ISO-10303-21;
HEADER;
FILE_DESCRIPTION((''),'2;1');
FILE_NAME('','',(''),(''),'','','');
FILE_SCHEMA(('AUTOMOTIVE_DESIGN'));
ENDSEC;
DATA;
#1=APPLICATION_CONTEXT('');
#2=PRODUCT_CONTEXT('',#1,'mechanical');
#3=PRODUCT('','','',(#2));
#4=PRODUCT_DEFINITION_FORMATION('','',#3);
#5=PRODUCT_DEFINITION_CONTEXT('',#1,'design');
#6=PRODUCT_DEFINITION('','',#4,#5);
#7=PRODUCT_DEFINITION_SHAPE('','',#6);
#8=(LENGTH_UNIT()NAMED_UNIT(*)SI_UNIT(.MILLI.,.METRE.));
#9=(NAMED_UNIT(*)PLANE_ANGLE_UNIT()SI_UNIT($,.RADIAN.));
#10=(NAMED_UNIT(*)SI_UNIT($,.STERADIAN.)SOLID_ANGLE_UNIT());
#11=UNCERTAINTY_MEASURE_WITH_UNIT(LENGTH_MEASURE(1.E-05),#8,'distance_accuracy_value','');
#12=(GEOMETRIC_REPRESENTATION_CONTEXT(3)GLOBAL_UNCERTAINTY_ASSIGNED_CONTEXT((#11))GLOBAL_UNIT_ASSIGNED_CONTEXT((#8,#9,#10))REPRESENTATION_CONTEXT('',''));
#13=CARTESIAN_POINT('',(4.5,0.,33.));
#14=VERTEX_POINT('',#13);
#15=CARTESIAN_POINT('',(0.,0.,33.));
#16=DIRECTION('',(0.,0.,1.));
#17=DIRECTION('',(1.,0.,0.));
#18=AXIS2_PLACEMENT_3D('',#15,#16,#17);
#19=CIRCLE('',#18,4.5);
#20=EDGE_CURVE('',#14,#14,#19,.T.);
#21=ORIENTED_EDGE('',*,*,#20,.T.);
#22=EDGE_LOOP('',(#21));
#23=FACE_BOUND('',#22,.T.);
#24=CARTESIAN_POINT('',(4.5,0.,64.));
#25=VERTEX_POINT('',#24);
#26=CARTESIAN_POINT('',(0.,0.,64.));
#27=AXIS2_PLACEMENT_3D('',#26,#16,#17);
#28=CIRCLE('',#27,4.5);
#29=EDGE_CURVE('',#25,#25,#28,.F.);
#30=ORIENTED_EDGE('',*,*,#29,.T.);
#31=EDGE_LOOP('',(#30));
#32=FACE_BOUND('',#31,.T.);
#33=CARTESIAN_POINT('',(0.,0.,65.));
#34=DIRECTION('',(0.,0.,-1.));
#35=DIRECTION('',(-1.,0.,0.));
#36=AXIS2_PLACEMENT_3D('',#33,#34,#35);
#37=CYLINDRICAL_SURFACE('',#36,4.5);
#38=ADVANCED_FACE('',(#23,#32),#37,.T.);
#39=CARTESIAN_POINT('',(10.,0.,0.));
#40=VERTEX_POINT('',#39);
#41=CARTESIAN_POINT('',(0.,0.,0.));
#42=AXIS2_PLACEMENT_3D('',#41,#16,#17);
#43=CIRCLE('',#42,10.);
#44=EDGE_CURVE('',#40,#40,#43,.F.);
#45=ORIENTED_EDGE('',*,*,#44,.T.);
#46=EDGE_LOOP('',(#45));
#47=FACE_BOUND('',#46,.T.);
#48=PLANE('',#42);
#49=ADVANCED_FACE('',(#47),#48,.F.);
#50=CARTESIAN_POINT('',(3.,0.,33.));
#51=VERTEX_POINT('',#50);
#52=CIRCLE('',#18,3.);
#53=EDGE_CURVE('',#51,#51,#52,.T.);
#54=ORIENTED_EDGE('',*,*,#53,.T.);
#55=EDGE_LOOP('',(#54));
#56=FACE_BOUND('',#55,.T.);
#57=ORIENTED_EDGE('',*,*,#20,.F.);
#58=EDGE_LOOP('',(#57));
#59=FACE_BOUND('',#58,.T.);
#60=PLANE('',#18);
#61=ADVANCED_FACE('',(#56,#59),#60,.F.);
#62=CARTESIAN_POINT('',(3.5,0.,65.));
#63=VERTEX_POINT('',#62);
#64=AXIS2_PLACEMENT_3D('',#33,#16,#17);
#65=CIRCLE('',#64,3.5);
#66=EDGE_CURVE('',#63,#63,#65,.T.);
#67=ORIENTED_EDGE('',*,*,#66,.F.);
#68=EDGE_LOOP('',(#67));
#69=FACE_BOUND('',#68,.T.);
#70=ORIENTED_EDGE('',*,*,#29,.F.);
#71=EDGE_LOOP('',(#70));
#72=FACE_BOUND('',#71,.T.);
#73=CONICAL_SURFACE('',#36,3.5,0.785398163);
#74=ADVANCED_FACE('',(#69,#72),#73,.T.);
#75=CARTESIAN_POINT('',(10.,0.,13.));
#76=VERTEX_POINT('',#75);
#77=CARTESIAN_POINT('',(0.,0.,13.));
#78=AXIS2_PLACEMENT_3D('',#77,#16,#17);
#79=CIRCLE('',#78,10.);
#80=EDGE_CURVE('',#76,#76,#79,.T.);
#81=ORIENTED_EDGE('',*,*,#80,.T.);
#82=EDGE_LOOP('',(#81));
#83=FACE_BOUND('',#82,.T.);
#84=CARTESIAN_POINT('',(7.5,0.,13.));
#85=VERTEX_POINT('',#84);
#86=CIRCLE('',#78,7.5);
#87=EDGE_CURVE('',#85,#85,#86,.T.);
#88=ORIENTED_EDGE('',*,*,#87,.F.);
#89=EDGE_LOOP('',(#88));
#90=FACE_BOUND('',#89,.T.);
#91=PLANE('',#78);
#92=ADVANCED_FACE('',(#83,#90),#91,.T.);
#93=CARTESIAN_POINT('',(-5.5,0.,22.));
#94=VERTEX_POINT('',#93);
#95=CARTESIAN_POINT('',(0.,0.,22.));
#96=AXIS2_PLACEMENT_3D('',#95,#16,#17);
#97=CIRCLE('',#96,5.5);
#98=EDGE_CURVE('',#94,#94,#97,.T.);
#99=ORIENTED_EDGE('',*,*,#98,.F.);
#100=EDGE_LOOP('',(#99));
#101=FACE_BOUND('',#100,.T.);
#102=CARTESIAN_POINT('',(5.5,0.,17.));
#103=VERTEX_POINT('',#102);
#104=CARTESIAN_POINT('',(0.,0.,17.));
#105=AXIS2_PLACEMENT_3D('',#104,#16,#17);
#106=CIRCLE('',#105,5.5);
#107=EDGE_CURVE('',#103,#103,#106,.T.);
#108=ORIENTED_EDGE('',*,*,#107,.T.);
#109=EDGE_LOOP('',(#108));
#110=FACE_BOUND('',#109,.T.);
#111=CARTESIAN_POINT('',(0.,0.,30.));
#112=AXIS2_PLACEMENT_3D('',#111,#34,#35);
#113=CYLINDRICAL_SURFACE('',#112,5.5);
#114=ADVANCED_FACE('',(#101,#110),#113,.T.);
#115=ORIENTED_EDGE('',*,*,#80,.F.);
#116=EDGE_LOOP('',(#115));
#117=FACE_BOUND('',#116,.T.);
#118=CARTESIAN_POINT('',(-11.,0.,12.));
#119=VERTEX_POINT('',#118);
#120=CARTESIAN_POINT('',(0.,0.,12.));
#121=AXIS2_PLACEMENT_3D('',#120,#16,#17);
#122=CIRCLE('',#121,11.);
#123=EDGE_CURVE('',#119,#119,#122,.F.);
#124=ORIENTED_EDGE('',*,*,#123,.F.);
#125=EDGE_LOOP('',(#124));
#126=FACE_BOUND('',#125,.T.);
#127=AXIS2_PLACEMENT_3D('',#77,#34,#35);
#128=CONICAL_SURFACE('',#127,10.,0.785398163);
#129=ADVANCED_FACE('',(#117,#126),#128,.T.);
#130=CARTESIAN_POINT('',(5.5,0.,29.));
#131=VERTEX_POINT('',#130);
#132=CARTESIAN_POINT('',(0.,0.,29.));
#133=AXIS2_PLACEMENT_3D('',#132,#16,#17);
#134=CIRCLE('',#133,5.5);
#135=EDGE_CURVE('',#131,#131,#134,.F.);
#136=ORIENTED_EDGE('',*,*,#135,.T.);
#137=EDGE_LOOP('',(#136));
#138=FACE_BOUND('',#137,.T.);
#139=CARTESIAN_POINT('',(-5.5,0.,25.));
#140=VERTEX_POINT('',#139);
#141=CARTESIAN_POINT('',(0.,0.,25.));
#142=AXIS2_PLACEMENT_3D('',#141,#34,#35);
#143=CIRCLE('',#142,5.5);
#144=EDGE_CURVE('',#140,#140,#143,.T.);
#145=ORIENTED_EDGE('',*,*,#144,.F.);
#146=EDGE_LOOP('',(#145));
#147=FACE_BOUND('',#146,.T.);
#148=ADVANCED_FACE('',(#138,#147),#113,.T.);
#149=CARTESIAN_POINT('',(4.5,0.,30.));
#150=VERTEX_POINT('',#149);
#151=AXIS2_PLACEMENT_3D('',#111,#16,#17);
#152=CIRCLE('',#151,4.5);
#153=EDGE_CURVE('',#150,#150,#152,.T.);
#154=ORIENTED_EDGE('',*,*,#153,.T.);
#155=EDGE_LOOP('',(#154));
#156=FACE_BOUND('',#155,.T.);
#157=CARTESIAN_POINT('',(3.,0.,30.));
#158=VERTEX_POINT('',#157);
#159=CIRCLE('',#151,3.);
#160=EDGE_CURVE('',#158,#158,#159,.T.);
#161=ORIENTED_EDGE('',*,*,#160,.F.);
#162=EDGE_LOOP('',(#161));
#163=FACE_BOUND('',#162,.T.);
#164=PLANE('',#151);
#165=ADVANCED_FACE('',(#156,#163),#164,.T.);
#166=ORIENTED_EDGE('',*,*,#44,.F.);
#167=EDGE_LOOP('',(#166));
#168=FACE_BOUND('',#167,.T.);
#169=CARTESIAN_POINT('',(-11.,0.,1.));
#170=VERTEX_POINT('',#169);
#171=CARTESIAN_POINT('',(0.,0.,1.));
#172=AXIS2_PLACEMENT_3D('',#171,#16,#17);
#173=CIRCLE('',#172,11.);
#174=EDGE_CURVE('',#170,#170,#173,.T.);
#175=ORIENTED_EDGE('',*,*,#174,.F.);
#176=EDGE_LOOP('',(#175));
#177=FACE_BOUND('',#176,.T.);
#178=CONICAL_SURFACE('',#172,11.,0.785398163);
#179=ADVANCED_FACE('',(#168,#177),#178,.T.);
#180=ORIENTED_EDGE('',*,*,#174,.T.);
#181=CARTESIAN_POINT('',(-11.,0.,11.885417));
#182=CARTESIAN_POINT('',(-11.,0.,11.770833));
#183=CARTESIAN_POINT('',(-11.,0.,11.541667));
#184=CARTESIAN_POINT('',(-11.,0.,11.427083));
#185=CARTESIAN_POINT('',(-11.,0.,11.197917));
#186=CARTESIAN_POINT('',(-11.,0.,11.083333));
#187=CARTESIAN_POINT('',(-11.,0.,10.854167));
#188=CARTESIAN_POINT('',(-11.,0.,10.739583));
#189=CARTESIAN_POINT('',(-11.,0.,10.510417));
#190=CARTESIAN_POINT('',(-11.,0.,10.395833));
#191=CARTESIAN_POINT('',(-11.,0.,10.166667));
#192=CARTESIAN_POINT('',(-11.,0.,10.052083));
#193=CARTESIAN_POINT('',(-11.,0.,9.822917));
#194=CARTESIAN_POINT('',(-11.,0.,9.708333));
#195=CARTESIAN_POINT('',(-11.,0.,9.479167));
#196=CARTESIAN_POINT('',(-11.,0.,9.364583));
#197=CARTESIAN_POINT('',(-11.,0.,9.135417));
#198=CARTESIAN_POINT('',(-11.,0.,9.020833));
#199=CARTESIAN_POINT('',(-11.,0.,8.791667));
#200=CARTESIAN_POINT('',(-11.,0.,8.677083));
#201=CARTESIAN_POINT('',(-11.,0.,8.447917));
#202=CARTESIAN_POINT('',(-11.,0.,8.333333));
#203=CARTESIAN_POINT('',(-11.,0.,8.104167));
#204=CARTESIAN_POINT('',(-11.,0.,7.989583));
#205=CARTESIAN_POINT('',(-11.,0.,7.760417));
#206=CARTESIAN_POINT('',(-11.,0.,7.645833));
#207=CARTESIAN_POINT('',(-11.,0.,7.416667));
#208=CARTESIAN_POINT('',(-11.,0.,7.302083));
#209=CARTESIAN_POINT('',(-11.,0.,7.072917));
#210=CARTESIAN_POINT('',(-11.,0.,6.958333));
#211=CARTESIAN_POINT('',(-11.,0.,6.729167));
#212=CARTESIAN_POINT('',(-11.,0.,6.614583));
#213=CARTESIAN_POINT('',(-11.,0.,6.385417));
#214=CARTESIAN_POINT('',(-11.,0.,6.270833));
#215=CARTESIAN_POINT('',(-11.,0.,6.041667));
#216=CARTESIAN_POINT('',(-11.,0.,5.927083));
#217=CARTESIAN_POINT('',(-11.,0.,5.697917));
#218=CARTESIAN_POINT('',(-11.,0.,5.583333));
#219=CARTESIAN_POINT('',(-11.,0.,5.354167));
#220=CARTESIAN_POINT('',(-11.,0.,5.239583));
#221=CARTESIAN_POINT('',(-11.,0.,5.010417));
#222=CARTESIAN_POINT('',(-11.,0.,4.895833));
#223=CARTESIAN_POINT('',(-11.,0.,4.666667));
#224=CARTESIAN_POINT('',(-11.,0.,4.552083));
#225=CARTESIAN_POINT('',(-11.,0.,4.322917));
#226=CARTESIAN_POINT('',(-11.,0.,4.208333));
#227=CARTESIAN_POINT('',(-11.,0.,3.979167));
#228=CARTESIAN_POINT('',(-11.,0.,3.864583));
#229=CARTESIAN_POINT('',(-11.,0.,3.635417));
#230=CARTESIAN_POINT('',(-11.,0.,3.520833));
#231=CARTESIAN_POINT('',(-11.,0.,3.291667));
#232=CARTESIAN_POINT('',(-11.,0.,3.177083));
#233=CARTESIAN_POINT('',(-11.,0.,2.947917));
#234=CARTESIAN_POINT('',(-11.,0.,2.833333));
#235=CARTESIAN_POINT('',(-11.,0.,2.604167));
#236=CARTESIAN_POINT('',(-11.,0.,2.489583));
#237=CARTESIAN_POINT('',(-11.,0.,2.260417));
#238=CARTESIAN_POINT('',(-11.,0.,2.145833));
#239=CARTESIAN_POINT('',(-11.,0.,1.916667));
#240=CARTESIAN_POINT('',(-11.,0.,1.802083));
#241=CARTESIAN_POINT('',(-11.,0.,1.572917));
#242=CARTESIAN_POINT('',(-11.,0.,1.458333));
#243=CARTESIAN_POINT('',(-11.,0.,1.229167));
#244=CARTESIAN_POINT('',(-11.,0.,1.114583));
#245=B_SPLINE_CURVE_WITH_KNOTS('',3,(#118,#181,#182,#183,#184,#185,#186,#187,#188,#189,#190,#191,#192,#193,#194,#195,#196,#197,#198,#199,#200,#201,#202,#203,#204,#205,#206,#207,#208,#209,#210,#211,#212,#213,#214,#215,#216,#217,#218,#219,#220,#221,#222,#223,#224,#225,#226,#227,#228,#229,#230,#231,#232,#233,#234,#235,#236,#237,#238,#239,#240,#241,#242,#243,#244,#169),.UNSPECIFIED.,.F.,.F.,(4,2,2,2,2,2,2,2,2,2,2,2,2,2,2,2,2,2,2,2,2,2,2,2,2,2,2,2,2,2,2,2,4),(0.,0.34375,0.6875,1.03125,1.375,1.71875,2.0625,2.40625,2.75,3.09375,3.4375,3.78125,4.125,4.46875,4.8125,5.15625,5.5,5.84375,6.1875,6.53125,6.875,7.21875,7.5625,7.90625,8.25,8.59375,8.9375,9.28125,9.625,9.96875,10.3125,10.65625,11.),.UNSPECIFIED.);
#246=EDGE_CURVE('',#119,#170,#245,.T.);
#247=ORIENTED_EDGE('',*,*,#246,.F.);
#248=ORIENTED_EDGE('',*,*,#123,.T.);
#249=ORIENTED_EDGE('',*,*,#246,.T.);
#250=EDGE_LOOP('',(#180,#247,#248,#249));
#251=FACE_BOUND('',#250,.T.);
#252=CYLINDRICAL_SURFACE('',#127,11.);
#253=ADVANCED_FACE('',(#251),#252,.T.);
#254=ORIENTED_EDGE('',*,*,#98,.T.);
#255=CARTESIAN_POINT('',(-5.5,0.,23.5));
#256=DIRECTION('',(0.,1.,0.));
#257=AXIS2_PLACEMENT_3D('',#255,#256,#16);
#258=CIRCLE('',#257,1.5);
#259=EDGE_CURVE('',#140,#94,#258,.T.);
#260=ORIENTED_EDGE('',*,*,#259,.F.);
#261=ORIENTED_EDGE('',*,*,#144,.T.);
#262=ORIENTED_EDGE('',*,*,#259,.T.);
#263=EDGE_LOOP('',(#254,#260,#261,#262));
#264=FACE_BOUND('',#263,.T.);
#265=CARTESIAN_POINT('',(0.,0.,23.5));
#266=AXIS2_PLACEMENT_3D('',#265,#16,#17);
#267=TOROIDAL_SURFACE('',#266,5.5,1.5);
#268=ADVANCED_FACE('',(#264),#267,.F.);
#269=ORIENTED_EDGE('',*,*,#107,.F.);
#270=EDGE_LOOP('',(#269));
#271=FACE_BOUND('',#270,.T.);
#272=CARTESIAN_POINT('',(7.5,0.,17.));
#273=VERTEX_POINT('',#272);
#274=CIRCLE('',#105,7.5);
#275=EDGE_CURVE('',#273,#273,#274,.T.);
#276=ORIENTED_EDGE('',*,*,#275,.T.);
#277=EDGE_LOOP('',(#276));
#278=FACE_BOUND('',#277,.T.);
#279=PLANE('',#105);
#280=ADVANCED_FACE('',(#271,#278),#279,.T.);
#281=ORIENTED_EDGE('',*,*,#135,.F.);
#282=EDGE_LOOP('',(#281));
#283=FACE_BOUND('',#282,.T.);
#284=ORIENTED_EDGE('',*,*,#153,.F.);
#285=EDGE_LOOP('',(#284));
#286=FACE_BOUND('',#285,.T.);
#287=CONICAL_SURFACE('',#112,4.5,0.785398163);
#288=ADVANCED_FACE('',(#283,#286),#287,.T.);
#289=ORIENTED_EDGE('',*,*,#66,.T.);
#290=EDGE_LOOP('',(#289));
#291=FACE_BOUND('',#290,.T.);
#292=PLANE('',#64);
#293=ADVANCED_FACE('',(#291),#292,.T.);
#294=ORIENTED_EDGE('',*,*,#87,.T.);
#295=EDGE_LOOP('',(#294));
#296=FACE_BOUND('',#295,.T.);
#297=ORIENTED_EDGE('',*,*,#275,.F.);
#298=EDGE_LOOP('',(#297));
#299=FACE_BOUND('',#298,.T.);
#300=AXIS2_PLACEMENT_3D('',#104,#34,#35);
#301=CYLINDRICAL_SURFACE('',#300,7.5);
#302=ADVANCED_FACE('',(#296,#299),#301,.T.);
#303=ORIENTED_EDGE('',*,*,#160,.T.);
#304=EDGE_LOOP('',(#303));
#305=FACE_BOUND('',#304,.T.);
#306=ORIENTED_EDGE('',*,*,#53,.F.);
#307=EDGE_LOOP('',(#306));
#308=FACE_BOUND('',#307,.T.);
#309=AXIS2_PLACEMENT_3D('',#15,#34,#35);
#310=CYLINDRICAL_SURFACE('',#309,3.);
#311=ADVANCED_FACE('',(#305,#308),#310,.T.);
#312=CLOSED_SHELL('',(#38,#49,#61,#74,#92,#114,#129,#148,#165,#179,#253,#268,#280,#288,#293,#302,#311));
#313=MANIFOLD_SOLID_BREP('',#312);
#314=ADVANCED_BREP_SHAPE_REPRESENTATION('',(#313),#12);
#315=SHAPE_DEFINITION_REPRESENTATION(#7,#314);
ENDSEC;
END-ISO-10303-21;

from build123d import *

# Parameters (mm, degrees)
ESBO_O1_R                = 11
RESSALTO_EXTRUS_O1_DEPTH = 13
ESBO_O2_R                = 7.5
RESSALTO_EXTRUS_O2_DEPTH = 4
ESBO_O3_R                = 5.5
RESSALTO_EXTRUS_O3_DEPTH = 13
ESBO_O4_R                = 3
RESSALTO_EXTRUS_O4_DEPTH = 3
ESBO_O5_R                = 4.5
RESSALTO_EXTRUS_O5_DEPTH = 32
CHANFRO1_SIZE            = 1
CHANFRO2_SIZE            = 1
ESBO_O6_R                = 1.5


with BuildPart() as part:
    # Esboço1 → Ressalto-extrusão1 (new body)
    with BuildSketch(Plane.XY):
        with Locations(Location((0, 0, 0), (0, 0, 180))):
            Circle(ESBO_O1_R)
    extrude(amount=RESSALTO_EXTRUS_O1_DEPTH)

    # Esboço2 → Ressalto-extrusão2 (add)
    with BuildSketch(Plane.XY.offset(13)):
        Circle(ESBO_O2_R)
    extrude(amount=RESSALTO_EXTRUS_O2_DEPTH)

    # Esboço3 → Ressalto-extrusão3 (add)
    with BuildSketch(Plane.XY.offset(17)):
        with Locations(Location((0, 0, 0), (0, 0, 180))):
            Circle(ESBO_O3_R)
    extrude(amount=RESSALTO_EXTRUS_O3_DEPTH)

    # Esboço4 → Ressalto-extrusão4 (add)
    with BuildSketch(Plane.XY.offset(30)):
        Circle(ESBO_O4_R)
    extrude(amount=RESSALTO_EXTRUS_O4_DEPTH)

    # Esboço5 → Ressalto-extrusão5 (add)
    with BuildSketch(Plane.XY.offset(33)):
        Circle(ESBO_O5_R)
    extrude(amount=RESSALTO_EXTRUS_O5_DEPTH)

    # Chanfro1
    chanfro1_edges = [part.edges().sort_by_distance(p)[0] for p in [
        (11, 0, 0),
    ]]
    chamfer(chanfro1_edges, length=CHANFRO1_SIZE)

    # Chanfro2
    chanfro2_edges = [part.edges().sort_by_distance(p)[0] for p in [
        (5.5, 0, 30),
        (-4.5, 0, 65),
        (11, 0, 13),
    ]]
    chamfer(chanfro2_edges, length=CHANFRO2_SIZE)

    # Varredura de corte1: sweep along a path in Esboço7
    with BuildLine(Plane.XY.offset(23.5)) as varredura_de_corte1_path:
        CenterArc((0, 0), 5.5, 0, 360)
    # Esboço6 → Varredura de corte1 (sweep, cut)
    with BuildSketch(Plane(origin=(0, 0, 0), x_dir=(1, 0, 0), z_dir=(0, 1, 0))):
        with Locations((-5.5, -23.5)):
            Circle(ESBO_O6_R)
    sweep(path=varredura_de_corte1_path.line, mode=Mode.SUBTRACT)


solid = part.part
